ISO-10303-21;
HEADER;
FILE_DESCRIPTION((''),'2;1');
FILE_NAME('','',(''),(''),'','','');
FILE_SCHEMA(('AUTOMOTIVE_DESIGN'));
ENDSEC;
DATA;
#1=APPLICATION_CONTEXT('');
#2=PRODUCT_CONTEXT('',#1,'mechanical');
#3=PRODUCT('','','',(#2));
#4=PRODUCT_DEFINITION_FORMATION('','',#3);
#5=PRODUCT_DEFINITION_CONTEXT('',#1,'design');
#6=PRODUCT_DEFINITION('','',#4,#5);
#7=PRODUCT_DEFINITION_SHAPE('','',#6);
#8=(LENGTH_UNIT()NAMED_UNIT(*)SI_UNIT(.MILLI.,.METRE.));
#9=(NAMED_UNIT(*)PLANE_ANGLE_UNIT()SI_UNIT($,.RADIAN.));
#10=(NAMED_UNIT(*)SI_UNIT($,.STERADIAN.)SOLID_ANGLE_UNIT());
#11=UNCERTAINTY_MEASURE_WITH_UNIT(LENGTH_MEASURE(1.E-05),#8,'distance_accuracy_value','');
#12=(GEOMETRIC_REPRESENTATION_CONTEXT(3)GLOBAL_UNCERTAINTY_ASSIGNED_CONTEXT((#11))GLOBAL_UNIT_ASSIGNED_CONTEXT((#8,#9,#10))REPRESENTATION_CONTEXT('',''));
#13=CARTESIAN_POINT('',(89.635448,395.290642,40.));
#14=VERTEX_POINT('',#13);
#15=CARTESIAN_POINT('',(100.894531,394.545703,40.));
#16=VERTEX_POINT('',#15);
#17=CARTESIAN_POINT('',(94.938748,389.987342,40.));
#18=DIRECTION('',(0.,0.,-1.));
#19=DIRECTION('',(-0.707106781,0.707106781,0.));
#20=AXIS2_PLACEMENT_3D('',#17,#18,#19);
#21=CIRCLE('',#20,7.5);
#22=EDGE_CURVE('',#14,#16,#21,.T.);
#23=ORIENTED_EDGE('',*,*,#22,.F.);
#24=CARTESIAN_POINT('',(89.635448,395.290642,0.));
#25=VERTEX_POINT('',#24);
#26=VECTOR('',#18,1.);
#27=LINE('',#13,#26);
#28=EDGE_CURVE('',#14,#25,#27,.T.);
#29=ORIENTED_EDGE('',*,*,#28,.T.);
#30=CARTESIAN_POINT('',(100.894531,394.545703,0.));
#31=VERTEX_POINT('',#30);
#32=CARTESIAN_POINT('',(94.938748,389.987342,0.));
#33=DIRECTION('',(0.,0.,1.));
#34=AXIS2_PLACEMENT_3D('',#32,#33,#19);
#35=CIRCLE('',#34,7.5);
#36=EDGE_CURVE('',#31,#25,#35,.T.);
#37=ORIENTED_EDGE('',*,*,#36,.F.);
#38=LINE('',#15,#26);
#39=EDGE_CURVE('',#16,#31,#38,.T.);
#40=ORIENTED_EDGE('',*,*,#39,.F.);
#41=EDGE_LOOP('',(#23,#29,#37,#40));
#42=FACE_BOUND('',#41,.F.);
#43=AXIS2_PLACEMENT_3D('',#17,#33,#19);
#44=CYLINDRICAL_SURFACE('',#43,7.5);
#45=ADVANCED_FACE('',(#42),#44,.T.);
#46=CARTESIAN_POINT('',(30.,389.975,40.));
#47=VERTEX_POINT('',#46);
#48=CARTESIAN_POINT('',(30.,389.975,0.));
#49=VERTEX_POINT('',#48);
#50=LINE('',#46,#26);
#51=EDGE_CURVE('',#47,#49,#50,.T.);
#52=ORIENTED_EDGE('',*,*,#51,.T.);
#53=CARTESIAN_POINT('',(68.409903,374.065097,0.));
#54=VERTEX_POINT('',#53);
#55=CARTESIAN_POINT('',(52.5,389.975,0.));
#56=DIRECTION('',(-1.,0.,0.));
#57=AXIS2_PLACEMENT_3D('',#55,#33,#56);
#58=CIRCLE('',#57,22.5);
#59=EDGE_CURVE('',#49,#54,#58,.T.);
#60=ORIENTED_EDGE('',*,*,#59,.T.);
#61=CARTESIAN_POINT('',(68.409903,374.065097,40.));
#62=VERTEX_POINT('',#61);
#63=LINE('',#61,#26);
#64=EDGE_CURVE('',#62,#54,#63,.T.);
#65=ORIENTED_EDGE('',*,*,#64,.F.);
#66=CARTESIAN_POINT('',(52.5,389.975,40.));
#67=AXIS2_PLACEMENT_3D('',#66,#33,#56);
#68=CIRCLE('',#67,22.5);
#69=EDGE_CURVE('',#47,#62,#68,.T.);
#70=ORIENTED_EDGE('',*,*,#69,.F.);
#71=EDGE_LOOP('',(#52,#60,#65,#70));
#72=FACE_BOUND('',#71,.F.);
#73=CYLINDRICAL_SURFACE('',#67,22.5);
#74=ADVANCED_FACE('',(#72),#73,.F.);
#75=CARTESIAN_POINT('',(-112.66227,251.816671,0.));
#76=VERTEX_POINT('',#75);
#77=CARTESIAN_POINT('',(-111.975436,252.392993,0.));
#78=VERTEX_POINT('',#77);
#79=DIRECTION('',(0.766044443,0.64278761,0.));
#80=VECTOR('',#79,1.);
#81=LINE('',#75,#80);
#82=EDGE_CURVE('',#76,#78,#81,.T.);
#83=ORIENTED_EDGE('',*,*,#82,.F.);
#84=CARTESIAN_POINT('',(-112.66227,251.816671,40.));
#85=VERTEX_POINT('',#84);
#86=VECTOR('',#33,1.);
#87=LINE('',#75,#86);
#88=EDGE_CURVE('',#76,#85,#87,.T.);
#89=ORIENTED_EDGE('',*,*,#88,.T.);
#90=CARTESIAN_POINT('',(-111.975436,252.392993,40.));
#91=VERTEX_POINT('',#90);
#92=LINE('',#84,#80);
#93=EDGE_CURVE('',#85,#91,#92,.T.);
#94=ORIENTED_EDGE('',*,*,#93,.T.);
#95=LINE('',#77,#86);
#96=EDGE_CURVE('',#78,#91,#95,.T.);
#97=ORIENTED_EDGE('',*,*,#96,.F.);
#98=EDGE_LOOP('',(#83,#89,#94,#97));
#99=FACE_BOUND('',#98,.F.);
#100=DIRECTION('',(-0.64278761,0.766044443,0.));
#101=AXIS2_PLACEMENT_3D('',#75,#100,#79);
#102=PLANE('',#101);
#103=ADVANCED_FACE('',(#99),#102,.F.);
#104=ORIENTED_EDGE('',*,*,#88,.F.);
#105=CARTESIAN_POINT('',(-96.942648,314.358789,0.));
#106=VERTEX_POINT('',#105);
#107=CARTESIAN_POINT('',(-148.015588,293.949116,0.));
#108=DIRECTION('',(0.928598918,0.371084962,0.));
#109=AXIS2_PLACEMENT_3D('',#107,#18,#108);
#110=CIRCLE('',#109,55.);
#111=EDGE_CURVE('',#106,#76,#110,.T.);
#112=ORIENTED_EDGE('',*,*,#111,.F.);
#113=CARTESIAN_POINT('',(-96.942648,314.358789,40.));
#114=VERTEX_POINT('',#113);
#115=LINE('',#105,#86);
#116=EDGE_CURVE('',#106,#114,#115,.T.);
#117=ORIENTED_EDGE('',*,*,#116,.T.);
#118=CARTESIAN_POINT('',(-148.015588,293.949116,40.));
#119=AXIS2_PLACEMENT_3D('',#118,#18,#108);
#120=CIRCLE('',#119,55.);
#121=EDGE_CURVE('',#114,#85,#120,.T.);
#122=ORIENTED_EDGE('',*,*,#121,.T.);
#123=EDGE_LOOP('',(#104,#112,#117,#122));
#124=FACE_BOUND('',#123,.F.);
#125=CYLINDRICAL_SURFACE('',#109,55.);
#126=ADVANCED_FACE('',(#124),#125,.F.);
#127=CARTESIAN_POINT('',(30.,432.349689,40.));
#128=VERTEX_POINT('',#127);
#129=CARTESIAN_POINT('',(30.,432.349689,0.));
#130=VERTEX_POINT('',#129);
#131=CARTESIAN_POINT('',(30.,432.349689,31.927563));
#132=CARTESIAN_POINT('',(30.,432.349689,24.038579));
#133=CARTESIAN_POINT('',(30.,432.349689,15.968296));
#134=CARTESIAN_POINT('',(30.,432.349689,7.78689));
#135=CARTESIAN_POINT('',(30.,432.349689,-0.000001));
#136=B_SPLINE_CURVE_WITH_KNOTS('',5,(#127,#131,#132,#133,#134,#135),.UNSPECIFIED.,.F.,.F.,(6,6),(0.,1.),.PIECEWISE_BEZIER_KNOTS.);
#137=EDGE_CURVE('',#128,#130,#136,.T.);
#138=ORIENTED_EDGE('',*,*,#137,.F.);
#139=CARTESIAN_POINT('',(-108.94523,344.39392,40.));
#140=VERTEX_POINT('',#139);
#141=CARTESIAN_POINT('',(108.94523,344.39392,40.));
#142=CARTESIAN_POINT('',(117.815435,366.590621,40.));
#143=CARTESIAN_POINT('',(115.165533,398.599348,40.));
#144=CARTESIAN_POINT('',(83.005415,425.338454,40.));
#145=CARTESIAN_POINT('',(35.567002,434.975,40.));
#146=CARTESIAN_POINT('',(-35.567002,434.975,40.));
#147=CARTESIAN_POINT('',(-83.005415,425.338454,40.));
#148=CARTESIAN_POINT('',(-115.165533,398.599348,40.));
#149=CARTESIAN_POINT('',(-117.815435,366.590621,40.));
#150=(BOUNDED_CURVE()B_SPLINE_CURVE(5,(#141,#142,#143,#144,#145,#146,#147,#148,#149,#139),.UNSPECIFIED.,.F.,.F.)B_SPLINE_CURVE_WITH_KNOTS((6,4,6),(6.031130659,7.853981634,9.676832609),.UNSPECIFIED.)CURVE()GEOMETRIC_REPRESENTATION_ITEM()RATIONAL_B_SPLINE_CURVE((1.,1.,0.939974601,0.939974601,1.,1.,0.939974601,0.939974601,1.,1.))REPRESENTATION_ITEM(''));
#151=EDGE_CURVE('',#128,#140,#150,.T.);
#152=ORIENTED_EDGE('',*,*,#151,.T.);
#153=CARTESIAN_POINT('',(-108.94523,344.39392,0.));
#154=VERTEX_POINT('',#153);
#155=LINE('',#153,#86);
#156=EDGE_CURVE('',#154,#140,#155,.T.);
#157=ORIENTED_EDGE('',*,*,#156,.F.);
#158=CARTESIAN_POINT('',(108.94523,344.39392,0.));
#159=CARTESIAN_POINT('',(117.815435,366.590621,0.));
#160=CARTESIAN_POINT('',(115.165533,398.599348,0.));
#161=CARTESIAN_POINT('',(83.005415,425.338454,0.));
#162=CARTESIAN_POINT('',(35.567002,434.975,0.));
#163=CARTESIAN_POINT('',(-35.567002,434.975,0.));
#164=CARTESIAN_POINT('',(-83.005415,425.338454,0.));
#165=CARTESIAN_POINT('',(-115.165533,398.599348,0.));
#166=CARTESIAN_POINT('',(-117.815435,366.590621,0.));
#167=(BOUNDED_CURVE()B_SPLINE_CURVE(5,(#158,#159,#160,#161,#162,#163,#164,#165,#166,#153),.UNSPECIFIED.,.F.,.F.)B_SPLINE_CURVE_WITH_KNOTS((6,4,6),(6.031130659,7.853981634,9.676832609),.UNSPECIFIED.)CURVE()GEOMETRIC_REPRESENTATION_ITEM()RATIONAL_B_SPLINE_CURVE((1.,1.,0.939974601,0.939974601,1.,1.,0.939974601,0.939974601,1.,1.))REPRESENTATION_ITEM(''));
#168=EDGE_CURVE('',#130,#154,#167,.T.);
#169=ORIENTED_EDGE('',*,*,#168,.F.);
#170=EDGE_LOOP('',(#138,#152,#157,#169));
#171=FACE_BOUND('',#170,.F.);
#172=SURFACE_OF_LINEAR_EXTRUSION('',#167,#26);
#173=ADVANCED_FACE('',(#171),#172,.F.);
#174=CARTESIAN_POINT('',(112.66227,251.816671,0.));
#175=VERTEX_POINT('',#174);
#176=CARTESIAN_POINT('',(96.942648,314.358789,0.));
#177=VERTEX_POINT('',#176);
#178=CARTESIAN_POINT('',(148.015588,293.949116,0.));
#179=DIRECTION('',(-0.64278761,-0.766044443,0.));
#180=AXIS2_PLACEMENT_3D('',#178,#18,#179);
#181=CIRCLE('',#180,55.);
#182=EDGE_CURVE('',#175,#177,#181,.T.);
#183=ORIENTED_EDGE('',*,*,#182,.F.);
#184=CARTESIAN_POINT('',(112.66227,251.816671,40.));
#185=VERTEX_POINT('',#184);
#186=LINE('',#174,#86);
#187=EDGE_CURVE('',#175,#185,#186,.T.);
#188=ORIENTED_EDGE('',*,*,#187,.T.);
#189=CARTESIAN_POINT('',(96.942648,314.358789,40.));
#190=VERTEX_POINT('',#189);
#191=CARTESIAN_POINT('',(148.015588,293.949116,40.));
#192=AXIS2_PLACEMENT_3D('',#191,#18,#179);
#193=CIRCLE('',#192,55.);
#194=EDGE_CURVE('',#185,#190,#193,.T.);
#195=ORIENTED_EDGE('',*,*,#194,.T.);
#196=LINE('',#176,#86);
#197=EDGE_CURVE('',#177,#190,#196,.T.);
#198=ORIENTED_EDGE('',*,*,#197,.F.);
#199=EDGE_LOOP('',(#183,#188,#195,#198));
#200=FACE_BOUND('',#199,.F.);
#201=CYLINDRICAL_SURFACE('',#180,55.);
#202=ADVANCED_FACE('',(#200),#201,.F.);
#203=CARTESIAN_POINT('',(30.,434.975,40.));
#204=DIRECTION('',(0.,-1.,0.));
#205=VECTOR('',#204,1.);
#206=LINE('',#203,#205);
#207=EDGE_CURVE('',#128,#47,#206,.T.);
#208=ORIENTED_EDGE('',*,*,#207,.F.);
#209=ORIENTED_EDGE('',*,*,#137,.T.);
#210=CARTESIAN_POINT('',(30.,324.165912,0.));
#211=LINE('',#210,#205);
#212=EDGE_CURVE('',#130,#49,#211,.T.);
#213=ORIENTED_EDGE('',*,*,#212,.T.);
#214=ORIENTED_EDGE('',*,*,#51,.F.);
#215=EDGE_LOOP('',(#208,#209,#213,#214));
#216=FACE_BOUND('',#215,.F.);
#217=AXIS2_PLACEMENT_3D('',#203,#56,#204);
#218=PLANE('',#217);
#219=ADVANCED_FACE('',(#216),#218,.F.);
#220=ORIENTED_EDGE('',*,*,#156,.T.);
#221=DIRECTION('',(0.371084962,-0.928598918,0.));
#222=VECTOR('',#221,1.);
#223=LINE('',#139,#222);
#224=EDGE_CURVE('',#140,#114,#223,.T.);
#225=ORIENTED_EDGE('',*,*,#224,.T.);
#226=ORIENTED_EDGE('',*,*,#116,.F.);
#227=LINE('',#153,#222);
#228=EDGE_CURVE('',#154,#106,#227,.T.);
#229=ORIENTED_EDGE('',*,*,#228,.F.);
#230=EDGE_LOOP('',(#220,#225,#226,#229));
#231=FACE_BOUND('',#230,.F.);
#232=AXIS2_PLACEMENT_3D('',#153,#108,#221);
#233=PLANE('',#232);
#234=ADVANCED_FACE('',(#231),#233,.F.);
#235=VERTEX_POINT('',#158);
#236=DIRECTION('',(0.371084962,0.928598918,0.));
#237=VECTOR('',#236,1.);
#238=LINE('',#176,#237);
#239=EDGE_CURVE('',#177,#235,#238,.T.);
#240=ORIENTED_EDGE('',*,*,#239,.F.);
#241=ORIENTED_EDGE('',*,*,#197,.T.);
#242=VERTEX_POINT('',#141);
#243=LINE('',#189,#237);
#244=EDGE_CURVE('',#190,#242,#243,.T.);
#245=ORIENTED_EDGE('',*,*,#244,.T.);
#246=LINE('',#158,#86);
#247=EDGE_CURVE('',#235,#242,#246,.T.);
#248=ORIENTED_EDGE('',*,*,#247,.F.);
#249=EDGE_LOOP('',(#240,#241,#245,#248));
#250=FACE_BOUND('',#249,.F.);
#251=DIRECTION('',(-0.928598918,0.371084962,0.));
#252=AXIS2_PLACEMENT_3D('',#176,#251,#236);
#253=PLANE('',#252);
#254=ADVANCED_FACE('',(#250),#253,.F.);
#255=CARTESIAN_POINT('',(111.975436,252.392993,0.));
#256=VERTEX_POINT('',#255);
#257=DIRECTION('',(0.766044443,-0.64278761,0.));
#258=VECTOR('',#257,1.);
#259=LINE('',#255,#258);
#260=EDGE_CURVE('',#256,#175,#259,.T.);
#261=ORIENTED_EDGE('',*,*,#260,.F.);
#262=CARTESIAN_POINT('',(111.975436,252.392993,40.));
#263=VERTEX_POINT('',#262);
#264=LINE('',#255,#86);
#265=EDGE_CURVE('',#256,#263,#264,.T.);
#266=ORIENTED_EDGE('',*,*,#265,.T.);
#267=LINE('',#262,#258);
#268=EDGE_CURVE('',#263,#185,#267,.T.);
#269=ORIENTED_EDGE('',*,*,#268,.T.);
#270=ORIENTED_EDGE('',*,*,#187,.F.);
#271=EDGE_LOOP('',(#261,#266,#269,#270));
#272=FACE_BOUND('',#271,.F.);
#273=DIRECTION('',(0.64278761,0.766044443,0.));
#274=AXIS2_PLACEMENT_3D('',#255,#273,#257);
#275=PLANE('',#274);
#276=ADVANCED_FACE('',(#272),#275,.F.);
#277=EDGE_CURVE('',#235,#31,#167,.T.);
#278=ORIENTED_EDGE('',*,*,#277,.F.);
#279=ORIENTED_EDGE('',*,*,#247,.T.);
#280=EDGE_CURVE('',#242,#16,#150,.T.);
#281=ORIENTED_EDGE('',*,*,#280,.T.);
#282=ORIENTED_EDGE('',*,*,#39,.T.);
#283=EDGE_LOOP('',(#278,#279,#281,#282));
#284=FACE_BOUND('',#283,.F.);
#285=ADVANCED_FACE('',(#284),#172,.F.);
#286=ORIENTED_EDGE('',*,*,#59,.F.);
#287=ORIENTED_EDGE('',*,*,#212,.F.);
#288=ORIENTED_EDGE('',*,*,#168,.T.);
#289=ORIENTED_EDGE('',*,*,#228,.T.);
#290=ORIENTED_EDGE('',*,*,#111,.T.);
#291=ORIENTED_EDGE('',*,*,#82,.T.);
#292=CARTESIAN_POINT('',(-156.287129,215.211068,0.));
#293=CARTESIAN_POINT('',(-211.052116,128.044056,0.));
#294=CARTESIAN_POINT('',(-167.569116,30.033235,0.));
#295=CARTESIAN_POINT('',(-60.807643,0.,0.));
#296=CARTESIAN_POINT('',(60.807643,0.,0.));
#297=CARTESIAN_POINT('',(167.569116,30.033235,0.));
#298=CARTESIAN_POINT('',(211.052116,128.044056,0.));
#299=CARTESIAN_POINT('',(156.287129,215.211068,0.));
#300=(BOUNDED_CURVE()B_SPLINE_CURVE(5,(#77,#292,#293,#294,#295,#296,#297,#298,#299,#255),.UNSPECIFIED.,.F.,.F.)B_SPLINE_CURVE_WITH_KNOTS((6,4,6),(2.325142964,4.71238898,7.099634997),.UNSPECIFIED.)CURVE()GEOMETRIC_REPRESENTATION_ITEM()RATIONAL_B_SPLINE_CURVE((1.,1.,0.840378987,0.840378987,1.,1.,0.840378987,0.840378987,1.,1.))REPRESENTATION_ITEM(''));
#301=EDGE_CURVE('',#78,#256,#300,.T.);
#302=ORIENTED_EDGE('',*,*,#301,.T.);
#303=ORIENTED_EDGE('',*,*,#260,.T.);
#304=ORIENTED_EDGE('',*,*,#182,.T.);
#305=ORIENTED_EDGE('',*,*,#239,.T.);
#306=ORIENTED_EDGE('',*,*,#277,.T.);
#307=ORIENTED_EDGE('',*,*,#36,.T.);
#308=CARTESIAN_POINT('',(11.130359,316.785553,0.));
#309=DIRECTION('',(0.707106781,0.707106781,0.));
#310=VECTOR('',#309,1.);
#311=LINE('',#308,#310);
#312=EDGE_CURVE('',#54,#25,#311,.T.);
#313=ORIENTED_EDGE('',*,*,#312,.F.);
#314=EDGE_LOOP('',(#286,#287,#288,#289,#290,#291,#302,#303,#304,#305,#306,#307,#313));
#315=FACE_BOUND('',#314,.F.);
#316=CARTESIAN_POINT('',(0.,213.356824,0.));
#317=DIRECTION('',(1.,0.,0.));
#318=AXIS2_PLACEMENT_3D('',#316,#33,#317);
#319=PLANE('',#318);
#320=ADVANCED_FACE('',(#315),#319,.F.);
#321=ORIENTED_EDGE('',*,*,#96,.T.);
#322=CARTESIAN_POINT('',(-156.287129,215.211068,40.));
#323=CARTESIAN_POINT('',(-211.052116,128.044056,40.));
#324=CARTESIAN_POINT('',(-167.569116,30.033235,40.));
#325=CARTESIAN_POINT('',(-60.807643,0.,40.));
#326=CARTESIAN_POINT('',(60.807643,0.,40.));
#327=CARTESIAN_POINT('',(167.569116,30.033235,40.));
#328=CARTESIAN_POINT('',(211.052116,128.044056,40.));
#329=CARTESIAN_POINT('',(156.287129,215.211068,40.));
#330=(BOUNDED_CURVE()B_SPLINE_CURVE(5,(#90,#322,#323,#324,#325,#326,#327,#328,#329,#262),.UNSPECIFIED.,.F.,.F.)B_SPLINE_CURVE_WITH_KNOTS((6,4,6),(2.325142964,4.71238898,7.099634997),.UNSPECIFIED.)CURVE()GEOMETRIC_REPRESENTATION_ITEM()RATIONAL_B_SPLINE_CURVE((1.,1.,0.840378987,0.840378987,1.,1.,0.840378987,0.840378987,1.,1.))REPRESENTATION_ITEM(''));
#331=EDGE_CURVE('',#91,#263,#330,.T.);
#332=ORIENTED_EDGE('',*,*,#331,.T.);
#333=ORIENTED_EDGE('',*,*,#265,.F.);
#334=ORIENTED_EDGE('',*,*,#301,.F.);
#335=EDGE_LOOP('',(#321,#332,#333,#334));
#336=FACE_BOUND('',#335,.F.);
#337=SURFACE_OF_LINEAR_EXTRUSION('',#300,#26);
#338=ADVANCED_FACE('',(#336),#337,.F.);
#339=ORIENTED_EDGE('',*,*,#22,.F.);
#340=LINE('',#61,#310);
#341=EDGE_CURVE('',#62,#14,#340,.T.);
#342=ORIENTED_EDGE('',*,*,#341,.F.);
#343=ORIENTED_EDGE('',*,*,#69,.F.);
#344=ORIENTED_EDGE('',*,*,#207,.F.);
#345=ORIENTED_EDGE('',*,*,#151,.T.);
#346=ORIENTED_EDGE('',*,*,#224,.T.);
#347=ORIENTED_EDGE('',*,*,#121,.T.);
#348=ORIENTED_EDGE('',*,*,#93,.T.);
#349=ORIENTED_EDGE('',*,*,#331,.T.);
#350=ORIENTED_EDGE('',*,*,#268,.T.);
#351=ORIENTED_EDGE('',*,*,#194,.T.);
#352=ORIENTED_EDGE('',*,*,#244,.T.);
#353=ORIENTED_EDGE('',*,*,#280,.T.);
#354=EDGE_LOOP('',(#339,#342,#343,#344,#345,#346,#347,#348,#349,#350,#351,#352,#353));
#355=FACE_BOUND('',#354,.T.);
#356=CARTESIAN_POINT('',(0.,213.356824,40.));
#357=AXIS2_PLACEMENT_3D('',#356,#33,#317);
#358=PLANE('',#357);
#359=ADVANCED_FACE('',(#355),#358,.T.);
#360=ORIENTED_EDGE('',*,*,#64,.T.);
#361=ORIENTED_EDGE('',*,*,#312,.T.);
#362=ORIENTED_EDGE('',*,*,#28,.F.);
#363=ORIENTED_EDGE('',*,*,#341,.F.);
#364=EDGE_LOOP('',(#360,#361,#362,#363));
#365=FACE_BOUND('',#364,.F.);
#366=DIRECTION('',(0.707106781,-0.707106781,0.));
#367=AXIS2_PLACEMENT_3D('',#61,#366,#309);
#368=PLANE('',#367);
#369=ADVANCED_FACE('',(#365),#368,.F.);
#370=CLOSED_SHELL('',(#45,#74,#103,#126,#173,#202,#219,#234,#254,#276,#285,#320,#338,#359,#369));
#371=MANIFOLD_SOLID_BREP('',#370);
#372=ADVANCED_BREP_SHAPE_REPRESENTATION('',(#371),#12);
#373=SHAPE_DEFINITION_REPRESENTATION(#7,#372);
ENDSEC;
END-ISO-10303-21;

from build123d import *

# Parameters (mm, degrees)
F1_DEPTH = 40
F3_DEPTH = 40.0010001


with BuildPart() as f1:
    # F0 (on Top) → F1 (new body)
    with BuildSketch(Plane.XY):
        with BuildLine():
            Line((-112.66226952, 251.8166712858), (-111.9754360589, 252.3929929896))
            add(Edge.make_bspline(
                [(-111.9754360589, 252.3929929896), (-412.7656921999, 0), (0, 0)],
                knots=[2.3251429637, 2.3251429637, 2.3251429637, 4.7123889804, 4.7123889804, 4.7123889804], degree=2, weights=[1, 0.3682939518, 1]))
            add(Edge.make_bspline(
                [(0, 0), (412.7656921999, 0), (111.9754360589, 252.3929929896)],
                knots=[4.7123889804, 4.7123889804, 4.7123889804, 7.0996349971, 7.0996349971, 7.0996349971], degree=2, weights=[1, 0.3682939518, 1]))
            Line((111.9754360589, 252.3929929896), (112.66226952, 251.8166712858))
            ThreePointArc((112.66226952, 251.8166712858), (94.6746687559, 280.5421649016), (96.9426475533, 314.3587885784))
            Line((96.9426475533, 314.3587885784), (108.9452304972, 344.3939198079))
            add(Edge.make_bspline(
                [(108.9452304972, 344.3939198079), (145.1430722796, 434.975), (0, 434.975)],
                knots=[6.0311306592, 6.0311306592, 6.0311306592, 7.853981634, 7.853981634, 7.853981634], degree=2, weights=[1, 0.6126196987, 1]))
            add(Edge.make_bspline(
                [(0, 434.975), (-145.1430722796, 434.975), (-108.9452304972, 344.3939198079)],
                knots=[4.7123889804, 4.7123889804, 4.7123889804, 6.5352399551, 6.5352399551, 6.5352399551], degree=2, weights=[1, 0.6126196987, 1]))
            Line((-108.9452304972, 344.3939198079), (-96.9426475533, 314.3587885784))
            ThreePointArc((-96.9426475533, 314.3587885784), (-94.6746687559, 280.5421649016), (-112.66226952, 251.8166712858))
        make_face()
    extrude(amount=F1_DEPTH)

    # F2 (on face) → F3 (cut, through all)
    with BuildSketch(Plane.XY.offset(40)):
        with BuildLine():
            Line((69.951270473, 434.975), (30, 434.975))
            Line((30, 434.975), (30, 389.975))
            ThreePointArc((30, 389.975), (43.8896227718, 369.1877105185), (68.4099025767, 374.0650974233))
            Line((68.4099025767, 374.0650974233), (89.6354476377, 395.2906424843))
            ThreePointArc((89.6354476377, 395.2906424843), (95.4338918596, 397.4709793138), (100.894531022, 394.545702571))
            Line((100.894531022, 394.545702571), (69.951270473, 434.975))
        make_face()
    extrude(amount=-F3_DEPTH, mode=Mode.SUBTRACT)


solid = f1.part
